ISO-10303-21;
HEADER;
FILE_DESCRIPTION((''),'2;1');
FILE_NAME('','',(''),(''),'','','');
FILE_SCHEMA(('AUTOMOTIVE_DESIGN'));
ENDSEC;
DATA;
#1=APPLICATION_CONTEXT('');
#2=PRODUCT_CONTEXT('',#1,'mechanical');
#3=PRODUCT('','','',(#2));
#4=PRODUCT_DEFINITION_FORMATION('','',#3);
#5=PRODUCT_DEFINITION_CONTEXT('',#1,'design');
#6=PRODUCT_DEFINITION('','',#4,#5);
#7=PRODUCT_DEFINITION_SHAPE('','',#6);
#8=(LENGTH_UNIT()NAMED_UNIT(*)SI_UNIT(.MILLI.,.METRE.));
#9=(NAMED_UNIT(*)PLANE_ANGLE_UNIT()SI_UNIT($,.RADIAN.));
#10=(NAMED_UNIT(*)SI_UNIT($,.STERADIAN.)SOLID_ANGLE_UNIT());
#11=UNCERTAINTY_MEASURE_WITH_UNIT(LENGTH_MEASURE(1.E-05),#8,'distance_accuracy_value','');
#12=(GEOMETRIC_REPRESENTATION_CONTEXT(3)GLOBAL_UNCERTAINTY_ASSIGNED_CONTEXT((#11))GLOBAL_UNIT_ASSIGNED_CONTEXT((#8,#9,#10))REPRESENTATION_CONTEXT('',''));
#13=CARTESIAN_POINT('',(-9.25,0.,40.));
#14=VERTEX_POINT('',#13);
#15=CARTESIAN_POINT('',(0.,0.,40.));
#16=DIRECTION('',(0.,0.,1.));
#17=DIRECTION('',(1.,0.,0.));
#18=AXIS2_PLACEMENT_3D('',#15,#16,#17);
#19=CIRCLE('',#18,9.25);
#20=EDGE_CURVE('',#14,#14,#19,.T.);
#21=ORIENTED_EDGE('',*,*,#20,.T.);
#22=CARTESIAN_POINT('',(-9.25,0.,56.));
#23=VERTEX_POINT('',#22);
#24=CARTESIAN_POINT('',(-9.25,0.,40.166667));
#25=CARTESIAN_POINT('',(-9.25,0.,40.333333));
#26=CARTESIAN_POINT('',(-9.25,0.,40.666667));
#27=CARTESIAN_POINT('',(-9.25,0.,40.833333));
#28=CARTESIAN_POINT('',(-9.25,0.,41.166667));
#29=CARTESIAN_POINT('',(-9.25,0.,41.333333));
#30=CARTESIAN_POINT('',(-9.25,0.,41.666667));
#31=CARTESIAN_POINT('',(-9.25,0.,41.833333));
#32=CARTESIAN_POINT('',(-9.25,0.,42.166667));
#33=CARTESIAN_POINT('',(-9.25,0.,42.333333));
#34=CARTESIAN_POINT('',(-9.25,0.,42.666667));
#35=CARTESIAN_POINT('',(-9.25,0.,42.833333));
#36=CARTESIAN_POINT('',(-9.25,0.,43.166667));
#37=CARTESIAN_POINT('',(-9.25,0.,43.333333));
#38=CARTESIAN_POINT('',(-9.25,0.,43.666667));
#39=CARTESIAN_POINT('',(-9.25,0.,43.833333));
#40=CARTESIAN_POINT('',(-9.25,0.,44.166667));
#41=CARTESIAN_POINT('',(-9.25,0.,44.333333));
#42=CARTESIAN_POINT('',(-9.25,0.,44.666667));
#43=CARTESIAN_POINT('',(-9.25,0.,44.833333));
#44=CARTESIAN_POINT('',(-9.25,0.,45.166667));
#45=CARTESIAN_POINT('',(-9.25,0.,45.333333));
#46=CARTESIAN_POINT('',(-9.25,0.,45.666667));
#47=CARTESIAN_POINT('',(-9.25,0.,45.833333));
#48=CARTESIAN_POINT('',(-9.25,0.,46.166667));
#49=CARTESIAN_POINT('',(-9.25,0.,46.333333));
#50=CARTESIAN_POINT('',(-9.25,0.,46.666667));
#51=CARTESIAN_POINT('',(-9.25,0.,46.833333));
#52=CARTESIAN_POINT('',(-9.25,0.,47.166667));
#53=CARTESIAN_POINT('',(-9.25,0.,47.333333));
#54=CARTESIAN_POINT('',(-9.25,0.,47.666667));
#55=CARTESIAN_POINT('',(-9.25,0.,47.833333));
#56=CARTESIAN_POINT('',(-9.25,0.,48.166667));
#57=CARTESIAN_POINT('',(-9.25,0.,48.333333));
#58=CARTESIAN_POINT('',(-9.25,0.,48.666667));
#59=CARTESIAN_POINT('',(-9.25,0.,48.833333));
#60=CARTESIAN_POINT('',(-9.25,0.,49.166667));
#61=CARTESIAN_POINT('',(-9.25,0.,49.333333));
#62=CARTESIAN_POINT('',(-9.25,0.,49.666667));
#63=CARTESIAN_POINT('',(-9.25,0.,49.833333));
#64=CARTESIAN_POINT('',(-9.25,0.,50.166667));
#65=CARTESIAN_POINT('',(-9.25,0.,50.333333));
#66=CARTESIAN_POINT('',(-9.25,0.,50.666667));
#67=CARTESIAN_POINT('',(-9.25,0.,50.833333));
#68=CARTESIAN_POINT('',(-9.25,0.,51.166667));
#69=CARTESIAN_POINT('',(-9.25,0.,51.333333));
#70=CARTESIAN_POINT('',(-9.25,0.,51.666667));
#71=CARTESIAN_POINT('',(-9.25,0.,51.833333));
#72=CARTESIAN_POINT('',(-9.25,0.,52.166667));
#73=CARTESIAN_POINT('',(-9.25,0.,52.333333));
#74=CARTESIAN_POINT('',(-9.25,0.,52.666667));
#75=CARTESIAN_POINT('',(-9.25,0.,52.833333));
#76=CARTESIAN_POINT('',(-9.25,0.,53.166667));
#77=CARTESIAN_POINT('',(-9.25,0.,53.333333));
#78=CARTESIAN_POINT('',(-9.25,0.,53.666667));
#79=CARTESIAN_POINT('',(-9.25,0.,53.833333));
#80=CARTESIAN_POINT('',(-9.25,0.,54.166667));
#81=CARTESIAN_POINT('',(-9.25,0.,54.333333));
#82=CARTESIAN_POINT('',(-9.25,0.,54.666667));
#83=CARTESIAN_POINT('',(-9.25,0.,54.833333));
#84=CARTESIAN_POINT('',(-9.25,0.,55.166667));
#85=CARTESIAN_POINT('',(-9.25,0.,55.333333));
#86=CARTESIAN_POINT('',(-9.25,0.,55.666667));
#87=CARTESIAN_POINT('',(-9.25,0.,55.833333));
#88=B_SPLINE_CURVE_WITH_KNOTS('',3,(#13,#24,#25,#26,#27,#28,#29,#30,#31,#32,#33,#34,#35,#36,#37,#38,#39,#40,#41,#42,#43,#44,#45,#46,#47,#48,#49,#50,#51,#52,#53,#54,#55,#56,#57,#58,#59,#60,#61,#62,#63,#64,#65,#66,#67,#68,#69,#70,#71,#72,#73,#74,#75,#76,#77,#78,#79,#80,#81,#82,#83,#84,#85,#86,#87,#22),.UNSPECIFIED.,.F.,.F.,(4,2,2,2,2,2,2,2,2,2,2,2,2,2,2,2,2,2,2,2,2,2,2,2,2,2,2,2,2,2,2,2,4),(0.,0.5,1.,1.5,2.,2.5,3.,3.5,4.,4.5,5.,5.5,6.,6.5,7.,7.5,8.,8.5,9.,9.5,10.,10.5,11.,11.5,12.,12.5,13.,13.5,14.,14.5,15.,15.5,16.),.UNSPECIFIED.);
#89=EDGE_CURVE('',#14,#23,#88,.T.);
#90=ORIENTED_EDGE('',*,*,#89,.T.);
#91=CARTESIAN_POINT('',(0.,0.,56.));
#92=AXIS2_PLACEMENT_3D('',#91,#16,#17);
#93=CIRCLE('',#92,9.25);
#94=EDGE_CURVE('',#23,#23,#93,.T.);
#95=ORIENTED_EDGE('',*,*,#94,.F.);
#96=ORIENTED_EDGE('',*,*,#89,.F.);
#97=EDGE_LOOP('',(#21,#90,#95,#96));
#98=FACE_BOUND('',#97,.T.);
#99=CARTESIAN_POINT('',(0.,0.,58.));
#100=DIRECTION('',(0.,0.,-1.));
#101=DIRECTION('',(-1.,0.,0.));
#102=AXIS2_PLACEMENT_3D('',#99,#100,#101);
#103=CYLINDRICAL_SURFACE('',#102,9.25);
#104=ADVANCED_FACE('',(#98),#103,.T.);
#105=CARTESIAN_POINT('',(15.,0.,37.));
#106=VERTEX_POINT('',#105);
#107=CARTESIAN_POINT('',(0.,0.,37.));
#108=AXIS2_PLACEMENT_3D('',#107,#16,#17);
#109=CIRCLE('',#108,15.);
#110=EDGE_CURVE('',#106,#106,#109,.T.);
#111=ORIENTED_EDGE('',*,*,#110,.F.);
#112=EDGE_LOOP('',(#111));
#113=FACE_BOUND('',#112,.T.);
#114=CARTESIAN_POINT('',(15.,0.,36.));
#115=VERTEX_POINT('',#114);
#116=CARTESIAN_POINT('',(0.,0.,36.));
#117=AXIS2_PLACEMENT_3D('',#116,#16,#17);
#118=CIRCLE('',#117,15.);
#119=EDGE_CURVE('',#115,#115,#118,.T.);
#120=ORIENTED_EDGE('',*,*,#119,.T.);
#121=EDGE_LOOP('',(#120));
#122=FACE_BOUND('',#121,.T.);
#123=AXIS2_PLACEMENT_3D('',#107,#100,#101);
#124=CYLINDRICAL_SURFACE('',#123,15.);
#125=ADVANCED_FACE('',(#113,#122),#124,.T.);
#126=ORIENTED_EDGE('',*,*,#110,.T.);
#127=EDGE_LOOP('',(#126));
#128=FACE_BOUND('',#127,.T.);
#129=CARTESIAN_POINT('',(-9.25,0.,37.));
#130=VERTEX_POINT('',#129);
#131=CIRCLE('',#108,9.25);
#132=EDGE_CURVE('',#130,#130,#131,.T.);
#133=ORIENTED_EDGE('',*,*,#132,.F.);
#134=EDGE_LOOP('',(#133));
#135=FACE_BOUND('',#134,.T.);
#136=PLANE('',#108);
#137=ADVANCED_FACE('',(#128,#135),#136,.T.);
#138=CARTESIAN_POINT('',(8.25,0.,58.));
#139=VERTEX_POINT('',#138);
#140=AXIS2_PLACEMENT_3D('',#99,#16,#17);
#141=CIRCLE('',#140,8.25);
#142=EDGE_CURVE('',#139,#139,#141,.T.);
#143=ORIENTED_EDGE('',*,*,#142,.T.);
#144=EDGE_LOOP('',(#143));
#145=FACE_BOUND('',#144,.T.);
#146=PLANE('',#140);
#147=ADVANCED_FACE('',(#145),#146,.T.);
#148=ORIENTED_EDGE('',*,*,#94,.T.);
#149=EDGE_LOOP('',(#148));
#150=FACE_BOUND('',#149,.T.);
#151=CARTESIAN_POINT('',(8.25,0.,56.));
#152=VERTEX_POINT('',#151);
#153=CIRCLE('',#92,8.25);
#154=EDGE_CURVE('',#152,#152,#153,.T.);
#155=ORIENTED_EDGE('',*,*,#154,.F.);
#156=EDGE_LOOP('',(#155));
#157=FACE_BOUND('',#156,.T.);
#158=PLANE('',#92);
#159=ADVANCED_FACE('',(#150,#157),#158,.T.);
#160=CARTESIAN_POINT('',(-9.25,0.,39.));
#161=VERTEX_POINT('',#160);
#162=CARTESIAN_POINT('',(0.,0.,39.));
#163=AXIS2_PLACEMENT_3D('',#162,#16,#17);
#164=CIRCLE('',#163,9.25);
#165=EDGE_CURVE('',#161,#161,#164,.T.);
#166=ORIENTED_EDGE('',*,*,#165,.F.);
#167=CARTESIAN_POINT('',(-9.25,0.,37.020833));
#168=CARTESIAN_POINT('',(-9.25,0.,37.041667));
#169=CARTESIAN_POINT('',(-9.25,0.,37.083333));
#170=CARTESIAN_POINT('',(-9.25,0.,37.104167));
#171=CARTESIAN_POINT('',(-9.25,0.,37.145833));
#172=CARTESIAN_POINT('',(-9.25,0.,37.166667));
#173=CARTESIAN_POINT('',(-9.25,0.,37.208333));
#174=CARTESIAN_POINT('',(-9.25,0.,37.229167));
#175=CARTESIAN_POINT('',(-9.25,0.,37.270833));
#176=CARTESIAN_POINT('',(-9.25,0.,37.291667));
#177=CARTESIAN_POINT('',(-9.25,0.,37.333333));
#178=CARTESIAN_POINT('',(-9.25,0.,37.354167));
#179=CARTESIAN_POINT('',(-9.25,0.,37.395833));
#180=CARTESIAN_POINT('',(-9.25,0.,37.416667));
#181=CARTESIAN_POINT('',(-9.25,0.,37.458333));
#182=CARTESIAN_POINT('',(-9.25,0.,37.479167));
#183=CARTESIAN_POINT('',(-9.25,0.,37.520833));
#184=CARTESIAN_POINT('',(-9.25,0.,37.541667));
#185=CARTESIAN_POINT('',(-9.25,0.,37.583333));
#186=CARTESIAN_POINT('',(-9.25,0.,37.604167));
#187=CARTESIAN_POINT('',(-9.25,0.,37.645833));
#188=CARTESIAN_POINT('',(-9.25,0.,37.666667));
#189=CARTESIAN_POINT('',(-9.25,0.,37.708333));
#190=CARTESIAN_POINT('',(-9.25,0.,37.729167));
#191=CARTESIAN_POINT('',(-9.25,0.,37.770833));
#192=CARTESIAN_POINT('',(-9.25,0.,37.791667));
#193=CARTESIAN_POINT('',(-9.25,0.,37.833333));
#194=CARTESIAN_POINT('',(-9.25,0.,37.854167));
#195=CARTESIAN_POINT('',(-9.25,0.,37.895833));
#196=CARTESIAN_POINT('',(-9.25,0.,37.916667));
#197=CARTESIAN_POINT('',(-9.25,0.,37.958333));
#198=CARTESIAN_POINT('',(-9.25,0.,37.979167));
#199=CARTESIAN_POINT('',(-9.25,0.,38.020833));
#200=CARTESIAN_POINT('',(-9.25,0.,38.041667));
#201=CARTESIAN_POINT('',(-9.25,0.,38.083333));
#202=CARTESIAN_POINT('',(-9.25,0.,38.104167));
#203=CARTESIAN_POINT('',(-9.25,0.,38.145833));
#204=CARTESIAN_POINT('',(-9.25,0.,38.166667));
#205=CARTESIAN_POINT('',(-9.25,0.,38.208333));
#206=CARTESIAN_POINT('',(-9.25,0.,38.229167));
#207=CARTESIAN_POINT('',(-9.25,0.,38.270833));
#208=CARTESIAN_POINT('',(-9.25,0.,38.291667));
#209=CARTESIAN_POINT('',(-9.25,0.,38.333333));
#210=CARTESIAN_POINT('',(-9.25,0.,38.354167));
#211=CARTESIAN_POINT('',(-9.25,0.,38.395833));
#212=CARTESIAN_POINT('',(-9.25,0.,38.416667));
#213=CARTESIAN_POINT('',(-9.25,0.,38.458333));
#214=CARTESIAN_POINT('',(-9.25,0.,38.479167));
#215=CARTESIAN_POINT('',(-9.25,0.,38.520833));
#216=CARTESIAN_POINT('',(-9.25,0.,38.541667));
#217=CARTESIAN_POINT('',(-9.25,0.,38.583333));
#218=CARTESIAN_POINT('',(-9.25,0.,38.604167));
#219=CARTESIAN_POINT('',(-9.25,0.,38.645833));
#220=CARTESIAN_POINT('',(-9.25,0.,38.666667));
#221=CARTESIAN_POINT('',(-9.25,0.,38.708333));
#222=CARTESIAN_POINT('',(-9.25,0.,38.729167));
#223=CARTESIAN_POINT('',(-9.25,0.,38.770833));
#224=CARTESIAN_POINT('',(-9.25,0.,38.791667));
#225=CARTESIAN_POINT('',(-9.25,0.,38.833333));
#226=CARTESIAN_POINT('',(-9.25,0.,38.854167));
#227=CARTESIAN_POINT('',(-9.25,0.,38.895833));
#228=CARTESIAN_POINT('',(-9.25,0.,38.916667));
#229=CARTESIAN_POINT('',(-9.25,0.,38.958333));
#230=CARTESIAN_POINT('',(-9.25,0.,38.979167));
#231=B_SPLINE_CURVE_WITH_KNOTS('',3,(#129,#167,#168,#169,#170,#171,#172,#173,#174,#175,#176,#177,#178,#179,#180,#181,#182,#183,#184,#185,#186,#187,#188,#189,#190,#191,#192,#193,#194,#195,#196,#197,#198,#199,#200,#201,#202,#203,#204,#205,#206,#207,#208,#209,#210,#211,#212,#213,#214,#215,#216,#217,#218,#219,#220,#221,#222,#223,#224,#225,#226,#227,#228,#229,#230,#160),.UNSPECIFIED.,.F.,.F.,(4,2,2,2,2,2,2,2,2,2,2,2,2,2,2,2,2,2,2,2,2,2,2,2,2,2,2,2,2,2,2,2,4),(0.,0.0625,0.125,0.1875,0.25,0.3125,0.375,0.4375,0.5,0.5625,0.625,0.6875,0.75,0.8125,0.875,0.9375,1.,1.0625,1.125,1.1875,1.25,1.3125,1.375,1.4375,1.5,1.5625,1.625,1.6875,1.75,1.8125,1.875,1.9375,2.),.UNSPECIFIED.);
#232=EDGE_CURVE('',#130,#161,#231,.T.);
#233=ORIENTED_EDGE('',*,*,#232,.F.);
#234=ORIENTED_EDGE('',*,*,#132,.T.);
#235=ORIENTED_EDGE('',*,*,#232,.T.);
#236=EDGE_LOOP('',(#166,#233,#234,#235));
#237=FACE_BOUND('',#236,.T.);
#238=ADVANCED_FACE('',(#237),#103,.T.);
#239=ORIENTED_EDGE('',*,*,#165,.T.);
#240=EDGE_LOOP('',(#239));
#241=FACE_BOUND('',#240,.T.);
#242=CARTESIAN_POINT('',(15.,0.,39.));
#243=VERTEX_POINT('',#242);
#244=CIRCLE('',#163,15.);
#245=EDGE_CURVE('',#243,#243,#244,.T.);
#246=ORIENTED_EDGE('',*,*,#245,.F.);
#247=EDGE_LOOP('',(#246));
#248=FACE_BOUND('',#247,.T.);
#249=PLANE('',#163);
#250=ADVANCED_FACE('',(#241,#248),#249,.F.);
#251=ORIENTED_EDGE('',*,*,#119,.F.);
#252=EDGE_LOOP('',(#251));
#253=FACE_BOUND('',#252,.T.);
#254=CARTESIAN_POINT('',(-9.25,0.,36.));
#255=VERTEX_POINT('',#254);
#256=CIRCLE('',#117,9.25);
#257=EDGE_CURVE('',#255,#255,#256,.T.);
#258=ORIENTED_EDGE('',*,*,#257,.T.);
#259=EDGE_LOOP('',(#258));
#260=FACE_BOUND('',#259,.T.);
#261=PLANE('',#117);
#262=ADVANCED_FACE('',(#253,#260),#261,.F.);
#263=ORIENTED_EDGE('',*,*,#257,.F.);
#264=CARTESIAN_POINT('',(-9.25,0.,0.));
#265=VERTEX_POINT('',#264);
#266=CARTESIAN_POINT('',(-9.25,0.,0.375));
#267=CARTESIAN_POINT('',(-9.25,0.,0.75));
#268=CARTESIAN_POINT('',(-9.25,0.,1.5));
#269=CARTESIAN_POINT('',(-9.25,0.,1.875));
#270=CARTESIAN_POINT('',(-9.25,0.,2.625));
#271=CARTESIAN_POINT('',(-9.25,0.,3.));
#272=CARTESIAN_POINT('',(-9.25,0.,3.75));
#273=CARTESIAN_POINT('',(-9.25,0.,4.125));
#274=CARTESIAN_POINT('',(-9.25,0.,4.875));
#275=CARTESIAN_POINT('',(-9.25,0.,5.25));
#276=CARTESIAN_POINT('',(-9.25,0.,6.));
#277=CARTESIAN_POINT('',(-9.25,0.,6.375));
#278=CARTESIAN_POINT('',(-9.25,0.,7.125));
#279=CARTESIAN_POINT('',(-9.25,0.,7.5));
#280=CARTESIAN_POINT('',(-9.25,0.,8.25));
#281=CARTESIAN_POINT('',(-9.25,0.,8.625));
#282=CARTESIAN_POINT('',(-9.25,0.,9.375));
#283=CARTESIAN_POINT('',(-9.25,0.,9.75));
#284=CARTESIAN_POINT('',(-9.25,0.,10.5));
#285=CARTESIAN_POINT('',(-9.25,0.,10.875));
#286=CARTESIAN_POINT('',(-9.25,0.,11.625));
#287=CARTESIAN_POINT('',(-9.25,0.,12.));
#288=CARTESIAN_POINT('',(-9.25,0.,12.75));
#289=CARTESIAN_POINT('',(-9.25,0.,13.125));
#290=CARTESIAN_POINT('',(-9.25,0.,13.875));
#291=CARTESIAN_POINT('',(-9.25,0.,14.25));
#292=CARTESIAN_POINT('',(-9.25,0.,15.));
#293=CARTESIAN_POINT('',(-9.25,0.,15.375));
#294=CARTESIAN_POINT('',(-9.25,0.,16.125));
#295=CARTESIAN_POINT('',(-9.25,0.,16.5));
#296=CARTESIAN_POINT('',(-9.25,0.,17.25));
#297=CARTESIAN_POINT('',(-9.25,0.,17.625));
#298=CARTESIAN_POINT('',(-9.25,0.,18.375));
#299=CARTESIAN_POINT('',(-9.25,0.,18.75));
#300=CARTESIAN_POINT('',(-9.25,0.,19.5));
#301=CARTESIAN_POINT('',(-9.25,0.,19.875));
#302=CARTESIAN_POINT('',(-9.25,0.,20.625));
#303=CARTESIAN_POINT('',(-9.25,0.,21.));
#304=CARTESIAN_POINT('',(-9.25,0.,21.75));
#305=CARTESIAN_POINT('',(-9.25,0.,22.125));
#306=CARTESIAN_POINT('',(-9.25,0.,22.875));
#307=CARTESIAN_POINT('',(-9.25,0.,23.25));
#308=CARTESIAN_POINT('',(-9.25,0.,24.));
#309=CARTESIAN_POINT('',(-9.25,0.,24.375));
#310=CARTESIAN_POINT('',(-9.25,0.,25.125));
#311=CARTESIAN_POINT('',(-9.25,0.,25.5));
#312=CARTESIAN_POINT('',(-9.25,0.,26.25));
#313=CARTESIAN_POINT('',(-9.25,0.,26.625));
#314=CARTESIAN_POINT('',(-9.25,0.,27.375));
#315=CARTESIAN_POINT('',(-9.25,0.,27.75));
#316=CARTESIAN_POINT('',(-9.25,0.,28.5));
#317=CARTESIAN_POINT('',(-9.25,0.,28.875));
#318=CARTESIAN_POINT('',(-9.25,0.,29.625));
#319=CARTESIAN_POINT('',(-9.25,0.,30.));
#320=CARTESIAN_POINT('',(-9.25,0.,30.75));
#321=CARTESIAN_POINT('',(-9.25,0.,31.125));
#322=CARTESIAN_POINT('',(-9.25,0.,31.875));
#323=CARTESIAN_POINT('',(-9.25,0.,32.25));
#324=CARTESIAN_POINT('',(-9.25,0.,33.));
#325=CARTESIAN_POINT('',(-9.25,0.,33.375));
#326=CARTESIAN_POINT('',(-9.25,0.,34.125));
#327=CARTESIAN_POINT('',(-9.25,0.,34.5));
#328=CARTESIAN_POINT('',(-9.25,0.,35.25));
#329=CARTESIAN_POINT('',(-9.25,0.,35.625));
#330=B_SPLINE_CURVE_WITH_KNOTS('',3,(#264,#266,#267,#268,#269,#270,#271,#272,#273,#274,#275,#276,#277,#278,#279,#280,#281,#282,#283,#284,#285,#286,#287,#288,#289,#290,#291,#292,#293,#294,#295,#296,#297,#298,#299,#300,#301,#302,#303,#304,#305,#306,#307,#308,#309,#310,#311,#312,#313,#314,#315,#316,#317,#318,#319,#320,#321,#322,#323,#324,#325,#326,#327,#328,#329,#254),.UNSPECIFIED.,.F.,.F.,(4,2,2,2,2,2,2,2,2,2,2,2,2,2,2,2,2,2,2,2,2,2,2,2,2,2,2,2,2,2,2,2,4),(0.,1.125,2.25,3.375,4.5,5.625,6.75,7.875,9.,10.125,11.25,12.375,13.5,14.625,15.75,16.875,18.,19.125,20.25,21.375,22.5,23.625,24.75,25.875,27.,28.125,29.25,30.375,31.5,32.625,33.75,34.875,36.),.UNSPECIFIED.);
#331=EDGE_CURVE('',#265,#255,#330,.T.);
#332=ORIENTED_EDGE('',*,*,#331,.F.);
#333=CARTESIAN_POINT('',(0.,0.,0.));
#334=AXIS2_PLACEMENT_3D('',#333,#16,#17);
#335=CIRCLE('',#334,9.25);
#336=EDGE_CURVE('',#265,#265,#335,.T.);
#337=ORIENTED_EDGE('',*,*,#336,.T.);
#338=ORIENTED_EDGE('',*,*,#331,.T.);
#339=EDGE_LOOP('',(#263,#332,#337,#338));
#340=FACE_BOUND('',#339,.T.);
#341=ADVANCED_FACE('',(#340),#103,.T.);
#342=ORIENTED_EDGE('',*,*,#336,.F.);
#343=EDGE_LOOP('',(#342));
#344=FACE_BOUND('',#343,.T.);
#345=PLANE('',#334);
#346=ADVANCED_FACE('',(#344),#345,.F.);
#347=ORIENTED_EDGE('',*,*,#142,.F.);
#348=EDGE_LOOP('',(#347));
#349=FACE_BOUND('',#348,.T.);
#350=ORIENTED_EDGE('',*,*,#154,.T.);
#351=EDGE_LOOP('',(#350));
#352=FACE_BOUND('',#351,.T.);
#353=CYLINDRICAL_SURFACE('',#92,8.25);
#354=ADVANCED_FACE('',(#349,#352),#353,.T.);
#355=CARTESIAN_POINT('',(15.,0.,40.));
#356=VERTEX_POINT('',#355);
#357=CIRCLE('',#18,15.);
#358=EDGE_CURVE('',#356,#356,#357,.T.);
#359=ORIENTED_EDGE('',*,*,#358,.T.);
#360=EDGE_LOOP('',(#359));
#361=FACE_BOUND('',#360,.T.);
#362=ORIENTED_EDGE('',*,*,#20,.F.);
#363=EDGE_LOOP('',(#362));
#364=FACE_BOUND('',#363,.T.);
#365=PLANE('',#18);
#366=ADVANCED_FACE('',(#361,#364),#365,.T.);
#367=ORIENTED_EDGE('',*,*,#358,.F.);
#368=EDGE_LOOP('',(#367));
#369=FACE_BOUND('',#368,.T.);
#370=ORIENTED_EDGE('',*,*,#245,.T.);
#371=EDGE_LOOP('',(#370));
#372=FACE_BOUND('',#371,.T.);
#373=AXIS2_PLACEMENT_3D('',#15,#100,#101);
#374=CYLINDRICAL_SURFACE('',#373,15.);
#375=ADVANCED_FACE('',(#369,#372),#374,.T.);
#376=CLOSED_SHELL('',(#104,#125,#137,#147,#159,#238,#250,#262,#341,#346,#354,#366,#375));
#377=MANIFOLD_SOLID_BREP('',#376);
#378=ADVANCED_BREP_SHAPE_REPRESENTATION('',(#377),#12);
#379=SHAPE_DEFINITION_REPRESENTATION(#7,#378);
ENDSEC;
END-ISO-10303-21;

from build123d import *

# Parameters (mm, degrees)
SKETCH1_R           = 9.25
BOSS_EXTRUDE1_DEPTH = 58
CUT_EXTRUDE1_START  = -2
SKETCH2_R           = 9.25
SKETCH2_R_2         = 8.25
CUT_EXTRUDE1_DEPTH  = 2
SKETCH3_R           = 15
BOSS_EXTRUDE2_DEPTH = 1
LPATTERN1_COUNT     = 2
LPATTERN1_PITCH     = 3


with BuildPart() as part:
    # Sketch1 → Boss-Extrude1 (new body)
    with BuildSketch(Plane.XY):
        with Locations(Location((0, 0, 0), (0, 0, 180))):
            Circle(SKETCH1_R)
    extrude(amount=BOSS_EXTRUDE1_DEPTH)

    # Sketch2 → Cut-Extrude1 (cut)
    with BuildSketch(Plane.XY.offset(58).offset(CUT_EXTRUDE1_START)):
        with Locations(Location((0, 0, 0), (0, 0, 180))):
            Circle(SKETCH2_R)
        Circle(SKETCH2_R_2, mode=Mode.SUBTRACT)
    extrude(amount=CUT_EXTRUDE1_DEPTH, mode=Mode.SUBTRACT)

    # Sketch3 → Boss-Extrude2 (add)
    with BuildSketch(Plane.XY.offset(36)):
        Circle(SKETCH3_R)
    boss_extrude2 = extrude(amount=BOSS_EXTRUDE2_DEPTH)

    # LPattern1: Boss-Extrude2 ×2
    with Locations(*[(0, 0, i * LPATTERN1_PITCH) for i in range(1, LPATTERN1_COUNT)]):
        add(boss_extrude2)


solid = part.part
